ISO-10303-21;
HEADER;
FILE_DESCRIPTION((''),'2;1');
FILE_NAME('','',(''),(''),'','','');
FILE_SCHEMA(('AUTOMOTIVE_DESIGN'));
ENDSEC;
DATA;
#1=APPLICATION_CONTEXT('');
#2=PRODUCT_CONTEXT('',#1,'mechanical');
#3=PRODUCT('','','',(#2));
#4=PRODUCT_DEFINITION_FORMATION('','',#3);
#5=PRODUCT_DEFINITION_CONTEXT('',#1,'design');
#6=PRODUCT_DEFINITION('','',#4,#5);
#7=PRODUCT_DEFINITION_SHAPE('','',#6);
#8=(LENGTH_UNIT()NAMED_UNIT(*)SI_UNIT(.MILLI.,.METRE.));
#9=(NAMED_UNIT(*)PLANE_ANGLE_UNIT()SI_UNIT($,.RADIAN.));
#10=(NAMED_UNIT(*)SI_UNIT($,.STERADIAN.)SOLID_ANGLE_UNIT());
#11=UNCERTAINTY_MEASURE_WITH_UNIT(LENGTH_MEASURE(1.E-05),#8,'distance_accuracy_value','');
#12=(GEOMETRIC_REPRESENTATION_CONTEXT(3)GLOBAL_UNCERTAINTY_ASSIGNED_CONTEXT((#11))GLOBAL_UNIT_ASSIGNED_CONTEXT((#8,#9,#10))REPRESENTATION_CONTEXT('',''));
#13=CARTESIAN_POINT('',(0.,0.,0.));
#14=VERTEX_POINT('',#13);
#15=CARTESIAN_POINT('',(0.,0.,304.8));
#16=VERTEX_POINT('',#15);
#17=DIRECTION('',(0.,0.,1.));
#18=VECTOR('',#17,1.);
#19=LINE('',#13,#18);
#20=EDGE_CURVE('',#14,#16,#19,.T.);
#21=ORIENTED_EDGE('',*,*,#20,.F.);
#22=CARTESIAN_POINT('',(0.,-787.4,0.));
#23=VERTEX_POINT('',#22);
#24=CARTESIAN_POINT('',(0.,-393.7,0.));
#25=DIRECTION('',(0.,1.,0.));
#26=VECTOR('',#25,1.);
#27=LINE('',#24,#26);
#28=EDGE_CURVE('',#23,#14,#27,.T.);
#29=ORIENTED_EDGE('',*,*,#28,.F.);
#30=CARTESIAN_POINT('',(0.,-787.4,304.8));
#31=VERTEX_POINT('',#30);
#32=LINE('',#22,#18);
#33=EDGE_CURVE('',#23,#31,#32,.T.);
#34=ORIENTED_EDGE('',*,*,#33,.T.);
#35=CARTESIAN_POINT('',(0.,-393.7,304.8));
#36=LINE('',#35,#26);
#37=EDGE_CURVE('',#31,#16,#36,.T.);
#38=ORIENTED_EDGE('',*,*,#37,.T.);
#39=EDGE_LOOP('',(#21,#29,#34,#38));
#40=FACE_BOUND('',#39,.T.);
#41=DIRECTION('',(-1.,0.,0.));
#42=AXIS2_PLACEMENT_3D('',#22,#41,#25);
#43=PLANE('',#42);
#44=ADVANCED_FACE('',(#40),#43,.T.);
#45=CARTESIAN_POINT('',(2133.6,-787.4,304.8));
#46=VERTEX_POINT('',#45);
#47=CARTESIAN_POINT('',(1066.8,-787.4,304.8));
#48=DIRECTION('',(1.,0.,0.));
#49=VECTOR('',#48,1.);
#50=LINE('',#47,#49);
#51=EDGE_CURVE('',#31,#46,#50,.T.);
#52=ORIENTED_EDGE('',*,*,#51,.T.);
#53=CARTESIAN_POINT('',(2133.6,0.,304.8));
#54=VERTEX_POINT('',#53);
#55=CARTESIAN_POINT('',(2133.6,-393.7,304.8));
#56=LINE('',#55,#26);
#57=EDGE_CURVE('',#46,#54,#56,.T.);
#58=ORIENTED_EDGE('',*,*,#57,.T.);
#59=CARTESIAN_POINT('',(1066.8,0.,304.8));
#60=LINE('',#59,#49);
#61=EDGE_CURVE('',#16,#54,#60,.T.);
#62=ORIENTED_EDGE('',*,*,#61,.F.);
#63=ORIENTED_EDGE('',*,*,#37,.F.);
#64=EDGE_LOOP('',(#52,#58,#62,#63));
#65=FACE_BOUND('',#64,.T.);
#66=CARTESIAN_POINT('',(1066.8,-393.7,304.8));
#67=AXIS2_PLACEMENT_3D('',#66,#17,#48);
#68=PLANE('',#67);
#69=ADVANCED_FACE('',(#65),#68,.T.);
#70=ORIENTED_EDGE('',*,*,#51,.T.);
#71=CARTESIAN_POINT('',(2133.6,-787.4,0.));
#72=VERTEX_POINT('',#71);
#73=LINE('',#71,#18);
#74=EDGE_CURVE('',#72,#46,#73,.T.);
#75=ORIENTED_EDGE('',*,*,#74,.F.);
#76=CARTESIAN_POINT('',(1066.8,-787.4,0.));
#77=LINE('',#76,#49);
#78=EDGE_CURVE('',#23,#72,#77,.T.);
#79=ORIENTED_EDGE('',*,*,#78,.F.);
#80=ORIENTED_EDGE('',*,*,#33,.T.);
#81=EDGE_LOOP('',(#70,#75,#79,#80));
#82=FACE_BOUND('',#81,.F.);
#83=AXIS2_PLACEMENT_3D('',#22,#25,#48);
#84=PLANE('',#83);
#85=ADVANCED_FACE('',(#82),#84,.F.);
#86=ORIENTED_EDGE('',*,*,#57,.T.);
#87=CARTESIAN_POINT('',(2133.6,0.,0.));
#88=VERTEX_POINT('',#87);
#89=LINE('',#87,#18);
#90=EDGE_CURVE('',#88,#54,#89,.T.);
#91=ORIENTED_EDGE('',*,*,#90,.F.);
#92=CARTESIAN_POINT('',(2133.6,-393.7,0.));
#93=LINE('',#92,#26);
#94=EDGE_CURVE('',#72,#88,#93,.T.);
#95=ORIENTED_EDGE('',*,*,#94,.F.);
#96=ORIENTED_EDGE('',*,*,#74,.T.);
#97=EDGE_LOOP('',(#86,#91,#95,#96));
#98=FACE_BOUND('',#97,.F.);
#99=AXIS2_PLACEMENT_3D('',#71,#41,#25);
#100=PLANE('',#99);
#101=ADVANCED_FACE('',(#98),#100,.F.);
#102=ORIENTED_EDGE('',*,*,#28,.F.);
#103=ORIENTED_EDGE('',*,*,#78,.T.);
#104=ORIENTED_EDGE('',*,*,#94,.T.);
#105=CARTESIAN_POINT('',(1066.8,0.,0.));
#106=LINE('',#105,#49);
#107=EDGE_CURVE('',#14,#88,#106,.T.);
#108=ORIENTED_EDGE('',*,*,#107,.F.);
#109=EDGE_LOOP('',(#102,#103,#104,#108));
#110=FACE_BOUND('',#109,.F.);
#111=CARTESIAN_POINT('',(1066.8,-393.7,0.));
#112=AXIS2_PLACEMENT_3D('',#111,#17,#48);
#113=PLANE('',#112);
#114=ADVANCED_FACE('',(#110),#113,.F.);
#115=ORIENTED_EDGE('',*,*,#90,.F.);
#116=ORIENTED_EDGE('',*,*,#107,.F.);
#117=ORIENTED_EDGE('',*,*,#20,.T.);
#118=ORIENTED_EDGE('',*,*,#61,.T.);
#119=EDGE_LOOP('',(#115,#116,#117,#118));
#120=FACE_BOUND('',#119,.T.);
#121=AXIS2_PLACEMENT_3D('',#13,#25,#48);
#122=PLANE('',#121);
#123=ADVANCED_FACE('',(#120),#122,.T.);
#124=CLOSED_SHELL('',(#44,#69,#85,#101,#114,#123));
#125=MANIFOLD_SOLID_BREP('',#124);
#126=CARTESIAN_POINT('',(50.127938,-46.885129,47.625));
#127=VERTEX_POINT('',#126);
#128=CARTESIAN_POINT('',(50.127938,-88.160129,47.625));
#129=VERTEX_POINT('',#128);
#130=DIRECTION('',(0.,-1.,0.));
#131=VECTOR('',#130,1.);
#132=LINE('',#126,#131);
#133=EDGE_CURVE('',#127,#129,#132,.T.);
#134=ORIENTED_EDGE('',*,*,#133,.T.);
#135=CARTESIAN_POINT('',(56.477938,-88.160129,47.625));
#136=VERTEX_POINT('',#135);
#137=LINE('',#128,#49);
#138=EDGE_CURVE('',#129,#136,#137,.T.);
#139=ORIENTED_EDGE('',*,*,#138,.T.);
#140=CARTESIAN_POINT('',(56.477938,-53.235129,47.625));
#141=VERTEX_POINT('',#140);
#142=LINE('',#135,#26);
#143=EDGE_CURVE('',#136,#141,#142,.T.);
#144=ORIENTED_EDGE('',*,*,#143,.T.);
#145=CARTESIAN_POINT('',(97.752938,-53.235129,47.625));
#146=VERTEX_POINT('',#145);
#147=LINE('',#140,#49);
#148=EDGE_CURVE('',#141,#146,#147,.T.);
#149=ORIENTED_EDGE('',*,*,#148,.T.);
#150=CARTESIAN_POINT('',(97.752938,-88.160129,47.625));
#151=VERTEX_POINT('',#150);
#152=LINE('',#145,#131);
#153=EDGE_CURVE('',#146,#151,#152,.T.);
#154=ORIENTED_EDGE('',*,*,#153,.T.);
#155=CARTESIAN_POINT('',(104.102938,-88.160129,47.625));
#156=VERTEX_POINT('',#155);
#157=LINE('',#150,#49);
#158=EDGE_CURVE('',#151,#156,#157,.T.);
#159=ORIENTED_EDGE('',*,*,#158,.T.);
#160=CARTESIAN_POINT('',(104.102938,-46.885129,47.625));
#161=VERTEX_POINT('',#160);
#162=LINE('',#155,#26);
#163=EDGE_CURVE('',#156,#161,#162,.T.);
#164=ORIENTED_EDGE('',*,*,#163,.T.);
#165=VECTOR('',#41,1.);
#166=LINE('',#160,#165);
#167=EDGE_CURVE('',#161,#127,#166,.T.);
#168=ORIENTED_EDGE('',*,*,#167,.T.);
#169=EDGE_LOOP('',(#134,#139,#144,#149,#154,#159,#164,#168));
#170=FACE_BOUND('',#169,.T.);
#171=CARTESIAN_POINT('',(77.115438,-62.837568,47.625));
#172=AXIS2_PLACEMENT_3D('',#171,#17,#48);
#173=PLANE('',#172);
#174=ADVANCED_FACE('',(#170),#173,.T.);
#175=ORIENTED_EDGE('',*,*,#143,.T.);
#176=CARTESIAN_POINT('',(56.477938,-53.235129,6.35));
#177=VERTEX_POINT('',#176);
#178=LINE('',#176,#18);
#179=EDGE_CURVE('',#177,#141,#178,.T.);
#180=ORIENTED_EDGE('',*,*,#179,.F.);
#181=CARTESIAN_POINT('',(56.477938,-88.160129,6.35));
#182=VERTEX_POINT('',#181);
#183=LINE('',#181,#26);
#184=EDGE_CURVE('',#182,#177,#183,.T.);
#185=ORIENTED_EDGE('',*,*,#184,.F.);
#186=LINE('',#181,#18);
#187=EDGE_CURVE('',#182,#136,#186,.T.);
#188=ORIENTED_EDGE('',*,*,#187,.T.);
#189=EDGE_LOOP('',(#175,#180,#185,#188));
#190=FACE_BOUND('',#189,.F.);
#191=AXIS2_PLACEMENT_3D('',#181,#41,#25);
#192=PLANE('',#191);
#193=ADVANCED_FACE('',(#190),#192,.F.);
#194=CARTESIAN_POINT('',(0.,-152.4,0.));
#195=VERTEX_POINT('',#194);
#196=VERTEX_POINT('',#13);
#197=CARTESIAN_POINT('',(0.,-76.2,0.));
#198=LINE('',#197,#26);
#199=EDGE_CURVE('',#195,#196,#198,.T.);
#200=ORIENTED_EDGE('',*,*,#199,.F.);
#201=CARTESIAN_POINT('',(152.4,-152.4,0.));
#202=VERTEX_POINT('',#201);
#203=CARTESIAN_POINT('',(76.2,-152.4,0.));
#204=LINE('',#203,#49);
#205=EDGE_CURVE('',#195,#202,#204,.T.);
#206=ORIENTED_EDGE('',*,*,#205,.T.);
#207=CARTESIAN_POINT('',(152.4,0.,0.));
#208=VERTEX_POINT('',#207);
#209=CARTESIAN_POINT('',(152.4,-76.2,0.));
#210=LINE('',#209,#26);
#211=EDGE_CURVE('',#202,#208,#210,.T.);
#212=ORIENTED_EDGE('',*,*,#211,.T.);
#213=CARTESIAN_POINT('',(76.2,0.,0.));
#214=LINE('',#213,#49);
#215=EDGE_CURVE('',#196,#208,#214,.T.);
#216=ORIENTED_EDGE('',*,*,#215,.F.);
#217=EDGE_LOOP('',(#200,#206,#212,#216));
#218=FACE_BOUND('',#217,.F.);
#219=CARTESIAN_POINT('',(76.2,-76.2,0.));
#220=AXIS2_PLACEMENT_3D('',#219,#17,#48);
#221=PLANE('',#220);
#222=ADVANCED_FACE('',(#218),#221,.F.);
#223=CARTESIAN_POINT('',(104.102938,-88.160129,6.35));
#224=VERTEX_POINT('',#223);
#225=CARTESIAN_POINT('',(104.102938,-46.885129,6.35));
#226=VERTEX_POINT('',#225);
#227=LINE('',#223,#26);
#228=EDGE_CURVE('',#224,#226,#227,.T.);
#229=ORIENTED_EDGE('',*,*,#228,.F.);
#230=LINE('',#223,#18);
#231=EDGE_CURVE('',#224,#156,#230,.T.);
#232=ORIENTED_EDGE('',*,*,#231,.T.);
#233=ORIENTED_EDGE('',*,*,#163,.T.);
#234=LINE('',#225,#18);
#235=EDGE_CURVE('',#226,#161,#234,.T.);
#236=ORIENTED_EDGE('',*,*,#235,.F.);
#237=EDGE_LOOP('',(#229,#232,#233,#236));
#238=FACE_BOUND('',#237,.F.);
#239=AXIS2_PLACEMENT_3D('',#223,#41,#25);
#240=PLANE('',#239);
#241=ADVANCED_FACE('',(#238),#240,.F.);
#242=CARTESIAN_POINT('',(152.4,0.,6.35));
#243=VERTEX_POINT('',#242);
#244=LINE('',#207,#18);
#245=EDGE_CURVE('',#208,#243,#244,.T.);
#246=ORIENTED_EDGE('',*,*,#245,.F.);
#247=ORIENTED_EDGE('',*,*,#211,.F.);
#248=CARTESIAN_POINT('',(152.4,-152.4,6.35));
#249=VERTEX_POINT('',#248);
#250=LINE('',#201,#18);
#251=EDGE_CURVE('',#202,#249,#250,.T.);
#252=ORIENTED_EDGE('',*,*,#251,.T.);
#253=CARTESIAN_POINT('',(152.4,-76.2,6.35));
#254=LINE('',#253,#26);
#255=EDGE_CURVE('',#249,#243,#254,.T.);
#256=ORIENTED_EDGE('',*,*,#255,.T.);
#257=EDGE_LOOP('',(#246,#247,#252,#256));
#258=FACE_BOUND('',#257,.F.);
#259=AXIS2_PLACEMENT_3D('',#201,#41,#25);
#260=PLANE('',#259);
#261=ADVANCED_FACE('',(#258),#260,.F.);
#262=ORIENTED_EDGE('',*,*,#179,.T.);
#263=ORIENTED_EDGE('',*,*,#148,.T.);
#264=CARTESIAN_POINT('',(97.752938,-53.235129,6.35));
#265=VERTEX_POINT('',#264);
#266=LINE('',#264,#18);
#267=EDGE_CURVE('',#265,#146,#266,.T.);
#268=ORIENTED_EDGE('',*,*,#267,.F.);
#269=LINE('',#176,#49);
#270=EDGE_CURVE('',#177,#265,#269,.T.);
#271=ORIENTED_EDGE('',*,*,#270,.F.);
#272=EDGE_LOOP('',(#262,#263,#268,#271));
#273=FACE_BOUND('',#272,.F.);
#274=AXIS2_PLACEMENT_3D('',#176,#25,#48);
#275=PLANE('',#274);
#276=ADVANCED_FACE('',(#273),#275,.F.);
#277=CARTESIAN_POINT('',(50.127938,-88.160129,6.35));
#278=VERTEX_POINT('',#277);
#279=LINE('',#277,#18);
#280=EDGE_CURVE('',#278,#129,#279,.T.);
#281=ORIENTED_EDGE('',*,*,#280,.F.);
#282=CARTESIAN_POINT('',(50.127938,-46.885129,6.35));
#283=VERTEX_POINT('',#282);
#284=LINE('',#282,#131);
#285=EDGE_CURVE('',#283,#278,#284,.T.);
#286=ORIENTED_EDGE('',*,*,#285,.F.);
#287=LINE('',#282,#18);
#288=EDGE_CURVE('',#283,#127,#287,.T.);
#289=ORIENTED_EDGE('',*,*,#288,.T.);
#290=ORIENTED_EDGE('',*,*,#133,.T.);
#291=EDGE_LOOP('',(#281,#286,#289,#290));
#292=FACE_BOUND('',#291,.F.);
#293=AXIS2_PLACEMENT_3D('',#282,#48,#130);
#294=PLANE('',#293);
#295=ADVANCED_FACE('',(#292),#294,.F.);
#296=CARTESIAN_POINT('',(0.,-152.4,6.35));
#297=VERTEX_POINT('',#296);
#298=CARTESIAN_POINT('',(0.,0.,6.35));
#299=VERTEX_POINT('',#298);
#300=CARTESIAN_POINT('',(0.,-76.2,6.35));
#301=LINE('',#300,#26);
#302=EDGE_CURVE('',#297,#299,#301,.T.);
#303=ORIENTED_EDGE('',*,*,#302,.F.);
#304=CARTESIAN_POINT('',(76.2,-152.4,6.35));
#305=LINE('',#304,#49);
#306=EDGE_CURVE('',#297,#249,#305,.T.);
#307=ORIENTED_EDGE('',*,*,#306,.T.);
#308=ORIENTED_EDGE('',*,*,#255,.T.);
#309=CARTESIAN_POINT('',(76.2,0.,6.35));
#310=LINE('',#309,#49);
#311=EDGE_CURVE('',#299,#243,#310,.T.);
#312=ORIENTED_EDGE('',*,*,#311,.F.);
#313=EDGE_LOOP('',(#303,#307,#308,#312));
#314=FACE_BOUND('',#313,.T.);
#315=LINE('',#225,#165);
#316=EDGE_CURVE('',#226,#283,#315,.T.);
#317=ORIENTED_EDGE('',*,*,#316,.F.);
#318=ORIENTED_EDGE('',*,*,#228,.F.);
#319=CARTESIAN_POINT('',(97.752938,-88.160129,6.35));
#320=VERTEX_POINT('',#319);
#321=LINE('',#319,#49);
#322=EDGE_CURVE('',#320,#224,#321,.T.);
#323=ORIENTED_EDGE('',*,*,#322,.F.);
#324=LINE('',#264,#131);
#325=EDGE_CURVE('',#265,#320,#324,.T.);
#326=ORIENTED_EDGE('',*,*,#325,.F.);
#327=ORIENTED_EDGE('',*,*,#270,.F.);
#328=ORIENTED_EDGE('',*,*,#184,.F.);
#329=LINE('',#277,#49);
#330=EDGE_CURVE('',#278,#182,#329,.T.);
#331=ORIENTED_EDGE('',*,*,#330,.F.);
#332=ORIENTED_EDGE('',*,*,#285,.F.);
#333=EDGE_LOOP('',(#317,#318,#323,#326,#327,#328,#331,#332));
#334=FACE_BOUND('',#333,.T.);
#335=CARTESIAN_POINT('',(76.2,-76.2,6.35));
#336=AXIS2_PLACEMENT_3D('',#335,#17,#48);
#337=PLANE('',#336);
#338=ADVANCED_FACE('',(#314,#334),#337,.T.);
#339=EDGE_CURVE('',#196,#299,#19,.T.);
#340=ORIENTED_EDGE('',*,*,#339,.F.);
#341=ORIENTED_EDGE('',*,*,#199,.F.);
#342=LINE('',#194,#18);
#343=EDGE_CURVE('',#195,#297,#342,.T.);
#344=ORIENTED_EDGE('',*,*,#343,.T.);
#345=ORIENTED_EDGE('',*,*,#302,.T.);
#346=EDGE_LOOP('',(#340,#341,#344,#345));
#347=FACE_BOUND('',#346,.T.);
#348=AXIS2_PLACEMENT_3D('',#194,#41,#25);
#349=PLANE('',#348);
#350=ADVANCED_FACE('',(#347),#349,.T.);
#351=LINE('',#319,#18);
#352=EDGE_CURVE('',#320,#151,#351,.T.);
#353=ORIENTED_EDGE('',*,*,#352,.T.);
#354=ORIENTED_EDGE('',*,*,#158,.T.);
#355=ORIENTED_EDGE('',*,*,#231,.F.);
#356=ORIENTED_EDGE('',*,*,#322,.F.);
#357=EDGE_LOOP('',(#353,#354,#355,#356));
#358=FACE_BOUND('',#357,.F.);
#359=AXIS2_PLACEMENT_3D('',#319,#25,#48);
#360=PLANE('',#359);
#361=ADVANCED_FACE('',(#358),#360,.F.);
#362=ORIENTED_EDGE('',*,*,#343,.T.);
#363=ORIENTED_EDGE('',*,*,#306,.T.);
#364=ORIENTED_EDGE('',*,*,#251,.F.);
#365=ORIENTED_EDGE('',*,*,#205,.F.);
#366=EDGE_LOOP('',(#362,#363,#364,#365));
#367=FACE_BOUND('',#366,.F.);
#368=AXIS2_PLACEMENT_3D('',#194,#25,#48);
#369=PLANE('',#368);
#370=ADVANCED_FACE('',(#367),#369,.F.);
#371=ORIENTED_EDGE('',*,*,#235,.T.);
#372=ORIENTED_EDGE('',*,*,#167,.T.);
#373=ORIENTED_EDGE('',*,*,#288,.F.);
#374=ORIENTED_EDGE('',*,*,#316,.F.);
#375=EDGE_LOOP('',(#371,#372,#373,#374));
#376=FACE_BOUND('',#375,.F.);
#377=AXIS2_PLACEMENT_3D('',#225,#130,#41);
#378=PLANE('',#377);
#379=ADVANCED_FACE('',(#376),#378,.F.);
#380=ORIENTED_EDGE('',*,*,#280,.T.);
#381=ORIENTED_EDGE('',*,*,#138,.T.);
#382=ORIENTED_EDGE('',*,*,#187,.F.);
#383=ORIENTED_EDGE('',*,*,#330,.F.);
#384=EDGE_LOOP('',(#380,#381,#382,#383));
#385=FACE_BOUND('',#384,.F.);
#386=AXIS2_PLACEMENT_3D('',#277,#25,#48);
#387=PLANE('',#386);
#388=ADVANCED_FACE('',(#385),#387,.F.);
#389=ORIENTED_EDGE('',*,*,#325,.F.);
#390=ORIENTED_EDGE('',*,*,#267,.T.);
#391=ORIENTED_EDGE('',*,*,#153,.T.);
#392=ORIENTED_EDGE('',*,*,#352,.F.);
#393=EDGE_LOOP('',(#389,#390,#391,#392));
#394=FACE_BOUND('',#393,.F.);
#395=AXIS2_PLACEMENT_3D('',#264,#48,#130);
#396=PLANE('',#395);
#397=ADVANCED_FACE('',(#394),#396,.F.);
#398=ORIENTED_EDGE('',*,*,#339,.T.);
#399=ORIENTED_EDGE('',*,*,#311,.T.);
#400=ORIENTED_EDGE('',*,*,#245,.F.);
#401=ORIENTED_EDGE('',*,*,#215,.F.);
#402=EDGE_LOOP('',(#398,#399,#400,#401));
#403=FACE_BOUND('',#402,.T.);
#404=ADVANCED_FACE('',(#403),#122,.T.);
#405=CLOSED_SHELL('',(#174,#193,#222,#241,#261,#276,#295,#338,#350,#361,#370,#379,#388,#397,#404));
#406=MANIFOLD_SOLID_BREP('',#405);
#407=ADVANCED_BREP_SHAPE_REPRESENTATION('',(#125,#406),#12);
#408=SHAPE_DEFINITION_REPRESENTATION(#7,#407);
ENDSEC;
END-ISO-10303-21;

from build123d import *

# Parameters (mm, degrees)
F0_W     = 2133.6
F0_H     = 787.4
F1_DEPTH = 304.8
F2_W     = 152.4
F2_H     = 152.4
F3_DEPTH = 6.35
F5_DEPTH = 41.275


with BuildPart() as f1:
    # F0 (on Top) → F1 (new body)
    with BuildSketch(Plane.XY):
        with Locations((1066.8, -393.7)):
            Rectangle(F0_W, F0_H)
    extrude(amount=F1_DEPTH)


with BuildPart() as f3:
    # F2 (on Top) → F3 (new body)
    with BuildSketch(Plane.XY):
        with Locations((76.2, -76.2)):
            Rectangle(F2_W, F2_H)
    extrude(amount=F3_DEPTH)

    # F4 (on face) → F5 (join)
    with BuildSketch(Plane.XY.offset(6.35)):
        Polygon((50.127938, -46.885129), (50.127938, -88.160129), (56.477938, -88.160129), (56.477938, -53.235129), (97.752938, -53.235129), (97.752938, -88.160129), (104.102938, -88.160129), (104.102938, -46.885129), align=None)
    extrude(amount=F5_DEPTH)


solid = Compound([f1.part, f3.part])
